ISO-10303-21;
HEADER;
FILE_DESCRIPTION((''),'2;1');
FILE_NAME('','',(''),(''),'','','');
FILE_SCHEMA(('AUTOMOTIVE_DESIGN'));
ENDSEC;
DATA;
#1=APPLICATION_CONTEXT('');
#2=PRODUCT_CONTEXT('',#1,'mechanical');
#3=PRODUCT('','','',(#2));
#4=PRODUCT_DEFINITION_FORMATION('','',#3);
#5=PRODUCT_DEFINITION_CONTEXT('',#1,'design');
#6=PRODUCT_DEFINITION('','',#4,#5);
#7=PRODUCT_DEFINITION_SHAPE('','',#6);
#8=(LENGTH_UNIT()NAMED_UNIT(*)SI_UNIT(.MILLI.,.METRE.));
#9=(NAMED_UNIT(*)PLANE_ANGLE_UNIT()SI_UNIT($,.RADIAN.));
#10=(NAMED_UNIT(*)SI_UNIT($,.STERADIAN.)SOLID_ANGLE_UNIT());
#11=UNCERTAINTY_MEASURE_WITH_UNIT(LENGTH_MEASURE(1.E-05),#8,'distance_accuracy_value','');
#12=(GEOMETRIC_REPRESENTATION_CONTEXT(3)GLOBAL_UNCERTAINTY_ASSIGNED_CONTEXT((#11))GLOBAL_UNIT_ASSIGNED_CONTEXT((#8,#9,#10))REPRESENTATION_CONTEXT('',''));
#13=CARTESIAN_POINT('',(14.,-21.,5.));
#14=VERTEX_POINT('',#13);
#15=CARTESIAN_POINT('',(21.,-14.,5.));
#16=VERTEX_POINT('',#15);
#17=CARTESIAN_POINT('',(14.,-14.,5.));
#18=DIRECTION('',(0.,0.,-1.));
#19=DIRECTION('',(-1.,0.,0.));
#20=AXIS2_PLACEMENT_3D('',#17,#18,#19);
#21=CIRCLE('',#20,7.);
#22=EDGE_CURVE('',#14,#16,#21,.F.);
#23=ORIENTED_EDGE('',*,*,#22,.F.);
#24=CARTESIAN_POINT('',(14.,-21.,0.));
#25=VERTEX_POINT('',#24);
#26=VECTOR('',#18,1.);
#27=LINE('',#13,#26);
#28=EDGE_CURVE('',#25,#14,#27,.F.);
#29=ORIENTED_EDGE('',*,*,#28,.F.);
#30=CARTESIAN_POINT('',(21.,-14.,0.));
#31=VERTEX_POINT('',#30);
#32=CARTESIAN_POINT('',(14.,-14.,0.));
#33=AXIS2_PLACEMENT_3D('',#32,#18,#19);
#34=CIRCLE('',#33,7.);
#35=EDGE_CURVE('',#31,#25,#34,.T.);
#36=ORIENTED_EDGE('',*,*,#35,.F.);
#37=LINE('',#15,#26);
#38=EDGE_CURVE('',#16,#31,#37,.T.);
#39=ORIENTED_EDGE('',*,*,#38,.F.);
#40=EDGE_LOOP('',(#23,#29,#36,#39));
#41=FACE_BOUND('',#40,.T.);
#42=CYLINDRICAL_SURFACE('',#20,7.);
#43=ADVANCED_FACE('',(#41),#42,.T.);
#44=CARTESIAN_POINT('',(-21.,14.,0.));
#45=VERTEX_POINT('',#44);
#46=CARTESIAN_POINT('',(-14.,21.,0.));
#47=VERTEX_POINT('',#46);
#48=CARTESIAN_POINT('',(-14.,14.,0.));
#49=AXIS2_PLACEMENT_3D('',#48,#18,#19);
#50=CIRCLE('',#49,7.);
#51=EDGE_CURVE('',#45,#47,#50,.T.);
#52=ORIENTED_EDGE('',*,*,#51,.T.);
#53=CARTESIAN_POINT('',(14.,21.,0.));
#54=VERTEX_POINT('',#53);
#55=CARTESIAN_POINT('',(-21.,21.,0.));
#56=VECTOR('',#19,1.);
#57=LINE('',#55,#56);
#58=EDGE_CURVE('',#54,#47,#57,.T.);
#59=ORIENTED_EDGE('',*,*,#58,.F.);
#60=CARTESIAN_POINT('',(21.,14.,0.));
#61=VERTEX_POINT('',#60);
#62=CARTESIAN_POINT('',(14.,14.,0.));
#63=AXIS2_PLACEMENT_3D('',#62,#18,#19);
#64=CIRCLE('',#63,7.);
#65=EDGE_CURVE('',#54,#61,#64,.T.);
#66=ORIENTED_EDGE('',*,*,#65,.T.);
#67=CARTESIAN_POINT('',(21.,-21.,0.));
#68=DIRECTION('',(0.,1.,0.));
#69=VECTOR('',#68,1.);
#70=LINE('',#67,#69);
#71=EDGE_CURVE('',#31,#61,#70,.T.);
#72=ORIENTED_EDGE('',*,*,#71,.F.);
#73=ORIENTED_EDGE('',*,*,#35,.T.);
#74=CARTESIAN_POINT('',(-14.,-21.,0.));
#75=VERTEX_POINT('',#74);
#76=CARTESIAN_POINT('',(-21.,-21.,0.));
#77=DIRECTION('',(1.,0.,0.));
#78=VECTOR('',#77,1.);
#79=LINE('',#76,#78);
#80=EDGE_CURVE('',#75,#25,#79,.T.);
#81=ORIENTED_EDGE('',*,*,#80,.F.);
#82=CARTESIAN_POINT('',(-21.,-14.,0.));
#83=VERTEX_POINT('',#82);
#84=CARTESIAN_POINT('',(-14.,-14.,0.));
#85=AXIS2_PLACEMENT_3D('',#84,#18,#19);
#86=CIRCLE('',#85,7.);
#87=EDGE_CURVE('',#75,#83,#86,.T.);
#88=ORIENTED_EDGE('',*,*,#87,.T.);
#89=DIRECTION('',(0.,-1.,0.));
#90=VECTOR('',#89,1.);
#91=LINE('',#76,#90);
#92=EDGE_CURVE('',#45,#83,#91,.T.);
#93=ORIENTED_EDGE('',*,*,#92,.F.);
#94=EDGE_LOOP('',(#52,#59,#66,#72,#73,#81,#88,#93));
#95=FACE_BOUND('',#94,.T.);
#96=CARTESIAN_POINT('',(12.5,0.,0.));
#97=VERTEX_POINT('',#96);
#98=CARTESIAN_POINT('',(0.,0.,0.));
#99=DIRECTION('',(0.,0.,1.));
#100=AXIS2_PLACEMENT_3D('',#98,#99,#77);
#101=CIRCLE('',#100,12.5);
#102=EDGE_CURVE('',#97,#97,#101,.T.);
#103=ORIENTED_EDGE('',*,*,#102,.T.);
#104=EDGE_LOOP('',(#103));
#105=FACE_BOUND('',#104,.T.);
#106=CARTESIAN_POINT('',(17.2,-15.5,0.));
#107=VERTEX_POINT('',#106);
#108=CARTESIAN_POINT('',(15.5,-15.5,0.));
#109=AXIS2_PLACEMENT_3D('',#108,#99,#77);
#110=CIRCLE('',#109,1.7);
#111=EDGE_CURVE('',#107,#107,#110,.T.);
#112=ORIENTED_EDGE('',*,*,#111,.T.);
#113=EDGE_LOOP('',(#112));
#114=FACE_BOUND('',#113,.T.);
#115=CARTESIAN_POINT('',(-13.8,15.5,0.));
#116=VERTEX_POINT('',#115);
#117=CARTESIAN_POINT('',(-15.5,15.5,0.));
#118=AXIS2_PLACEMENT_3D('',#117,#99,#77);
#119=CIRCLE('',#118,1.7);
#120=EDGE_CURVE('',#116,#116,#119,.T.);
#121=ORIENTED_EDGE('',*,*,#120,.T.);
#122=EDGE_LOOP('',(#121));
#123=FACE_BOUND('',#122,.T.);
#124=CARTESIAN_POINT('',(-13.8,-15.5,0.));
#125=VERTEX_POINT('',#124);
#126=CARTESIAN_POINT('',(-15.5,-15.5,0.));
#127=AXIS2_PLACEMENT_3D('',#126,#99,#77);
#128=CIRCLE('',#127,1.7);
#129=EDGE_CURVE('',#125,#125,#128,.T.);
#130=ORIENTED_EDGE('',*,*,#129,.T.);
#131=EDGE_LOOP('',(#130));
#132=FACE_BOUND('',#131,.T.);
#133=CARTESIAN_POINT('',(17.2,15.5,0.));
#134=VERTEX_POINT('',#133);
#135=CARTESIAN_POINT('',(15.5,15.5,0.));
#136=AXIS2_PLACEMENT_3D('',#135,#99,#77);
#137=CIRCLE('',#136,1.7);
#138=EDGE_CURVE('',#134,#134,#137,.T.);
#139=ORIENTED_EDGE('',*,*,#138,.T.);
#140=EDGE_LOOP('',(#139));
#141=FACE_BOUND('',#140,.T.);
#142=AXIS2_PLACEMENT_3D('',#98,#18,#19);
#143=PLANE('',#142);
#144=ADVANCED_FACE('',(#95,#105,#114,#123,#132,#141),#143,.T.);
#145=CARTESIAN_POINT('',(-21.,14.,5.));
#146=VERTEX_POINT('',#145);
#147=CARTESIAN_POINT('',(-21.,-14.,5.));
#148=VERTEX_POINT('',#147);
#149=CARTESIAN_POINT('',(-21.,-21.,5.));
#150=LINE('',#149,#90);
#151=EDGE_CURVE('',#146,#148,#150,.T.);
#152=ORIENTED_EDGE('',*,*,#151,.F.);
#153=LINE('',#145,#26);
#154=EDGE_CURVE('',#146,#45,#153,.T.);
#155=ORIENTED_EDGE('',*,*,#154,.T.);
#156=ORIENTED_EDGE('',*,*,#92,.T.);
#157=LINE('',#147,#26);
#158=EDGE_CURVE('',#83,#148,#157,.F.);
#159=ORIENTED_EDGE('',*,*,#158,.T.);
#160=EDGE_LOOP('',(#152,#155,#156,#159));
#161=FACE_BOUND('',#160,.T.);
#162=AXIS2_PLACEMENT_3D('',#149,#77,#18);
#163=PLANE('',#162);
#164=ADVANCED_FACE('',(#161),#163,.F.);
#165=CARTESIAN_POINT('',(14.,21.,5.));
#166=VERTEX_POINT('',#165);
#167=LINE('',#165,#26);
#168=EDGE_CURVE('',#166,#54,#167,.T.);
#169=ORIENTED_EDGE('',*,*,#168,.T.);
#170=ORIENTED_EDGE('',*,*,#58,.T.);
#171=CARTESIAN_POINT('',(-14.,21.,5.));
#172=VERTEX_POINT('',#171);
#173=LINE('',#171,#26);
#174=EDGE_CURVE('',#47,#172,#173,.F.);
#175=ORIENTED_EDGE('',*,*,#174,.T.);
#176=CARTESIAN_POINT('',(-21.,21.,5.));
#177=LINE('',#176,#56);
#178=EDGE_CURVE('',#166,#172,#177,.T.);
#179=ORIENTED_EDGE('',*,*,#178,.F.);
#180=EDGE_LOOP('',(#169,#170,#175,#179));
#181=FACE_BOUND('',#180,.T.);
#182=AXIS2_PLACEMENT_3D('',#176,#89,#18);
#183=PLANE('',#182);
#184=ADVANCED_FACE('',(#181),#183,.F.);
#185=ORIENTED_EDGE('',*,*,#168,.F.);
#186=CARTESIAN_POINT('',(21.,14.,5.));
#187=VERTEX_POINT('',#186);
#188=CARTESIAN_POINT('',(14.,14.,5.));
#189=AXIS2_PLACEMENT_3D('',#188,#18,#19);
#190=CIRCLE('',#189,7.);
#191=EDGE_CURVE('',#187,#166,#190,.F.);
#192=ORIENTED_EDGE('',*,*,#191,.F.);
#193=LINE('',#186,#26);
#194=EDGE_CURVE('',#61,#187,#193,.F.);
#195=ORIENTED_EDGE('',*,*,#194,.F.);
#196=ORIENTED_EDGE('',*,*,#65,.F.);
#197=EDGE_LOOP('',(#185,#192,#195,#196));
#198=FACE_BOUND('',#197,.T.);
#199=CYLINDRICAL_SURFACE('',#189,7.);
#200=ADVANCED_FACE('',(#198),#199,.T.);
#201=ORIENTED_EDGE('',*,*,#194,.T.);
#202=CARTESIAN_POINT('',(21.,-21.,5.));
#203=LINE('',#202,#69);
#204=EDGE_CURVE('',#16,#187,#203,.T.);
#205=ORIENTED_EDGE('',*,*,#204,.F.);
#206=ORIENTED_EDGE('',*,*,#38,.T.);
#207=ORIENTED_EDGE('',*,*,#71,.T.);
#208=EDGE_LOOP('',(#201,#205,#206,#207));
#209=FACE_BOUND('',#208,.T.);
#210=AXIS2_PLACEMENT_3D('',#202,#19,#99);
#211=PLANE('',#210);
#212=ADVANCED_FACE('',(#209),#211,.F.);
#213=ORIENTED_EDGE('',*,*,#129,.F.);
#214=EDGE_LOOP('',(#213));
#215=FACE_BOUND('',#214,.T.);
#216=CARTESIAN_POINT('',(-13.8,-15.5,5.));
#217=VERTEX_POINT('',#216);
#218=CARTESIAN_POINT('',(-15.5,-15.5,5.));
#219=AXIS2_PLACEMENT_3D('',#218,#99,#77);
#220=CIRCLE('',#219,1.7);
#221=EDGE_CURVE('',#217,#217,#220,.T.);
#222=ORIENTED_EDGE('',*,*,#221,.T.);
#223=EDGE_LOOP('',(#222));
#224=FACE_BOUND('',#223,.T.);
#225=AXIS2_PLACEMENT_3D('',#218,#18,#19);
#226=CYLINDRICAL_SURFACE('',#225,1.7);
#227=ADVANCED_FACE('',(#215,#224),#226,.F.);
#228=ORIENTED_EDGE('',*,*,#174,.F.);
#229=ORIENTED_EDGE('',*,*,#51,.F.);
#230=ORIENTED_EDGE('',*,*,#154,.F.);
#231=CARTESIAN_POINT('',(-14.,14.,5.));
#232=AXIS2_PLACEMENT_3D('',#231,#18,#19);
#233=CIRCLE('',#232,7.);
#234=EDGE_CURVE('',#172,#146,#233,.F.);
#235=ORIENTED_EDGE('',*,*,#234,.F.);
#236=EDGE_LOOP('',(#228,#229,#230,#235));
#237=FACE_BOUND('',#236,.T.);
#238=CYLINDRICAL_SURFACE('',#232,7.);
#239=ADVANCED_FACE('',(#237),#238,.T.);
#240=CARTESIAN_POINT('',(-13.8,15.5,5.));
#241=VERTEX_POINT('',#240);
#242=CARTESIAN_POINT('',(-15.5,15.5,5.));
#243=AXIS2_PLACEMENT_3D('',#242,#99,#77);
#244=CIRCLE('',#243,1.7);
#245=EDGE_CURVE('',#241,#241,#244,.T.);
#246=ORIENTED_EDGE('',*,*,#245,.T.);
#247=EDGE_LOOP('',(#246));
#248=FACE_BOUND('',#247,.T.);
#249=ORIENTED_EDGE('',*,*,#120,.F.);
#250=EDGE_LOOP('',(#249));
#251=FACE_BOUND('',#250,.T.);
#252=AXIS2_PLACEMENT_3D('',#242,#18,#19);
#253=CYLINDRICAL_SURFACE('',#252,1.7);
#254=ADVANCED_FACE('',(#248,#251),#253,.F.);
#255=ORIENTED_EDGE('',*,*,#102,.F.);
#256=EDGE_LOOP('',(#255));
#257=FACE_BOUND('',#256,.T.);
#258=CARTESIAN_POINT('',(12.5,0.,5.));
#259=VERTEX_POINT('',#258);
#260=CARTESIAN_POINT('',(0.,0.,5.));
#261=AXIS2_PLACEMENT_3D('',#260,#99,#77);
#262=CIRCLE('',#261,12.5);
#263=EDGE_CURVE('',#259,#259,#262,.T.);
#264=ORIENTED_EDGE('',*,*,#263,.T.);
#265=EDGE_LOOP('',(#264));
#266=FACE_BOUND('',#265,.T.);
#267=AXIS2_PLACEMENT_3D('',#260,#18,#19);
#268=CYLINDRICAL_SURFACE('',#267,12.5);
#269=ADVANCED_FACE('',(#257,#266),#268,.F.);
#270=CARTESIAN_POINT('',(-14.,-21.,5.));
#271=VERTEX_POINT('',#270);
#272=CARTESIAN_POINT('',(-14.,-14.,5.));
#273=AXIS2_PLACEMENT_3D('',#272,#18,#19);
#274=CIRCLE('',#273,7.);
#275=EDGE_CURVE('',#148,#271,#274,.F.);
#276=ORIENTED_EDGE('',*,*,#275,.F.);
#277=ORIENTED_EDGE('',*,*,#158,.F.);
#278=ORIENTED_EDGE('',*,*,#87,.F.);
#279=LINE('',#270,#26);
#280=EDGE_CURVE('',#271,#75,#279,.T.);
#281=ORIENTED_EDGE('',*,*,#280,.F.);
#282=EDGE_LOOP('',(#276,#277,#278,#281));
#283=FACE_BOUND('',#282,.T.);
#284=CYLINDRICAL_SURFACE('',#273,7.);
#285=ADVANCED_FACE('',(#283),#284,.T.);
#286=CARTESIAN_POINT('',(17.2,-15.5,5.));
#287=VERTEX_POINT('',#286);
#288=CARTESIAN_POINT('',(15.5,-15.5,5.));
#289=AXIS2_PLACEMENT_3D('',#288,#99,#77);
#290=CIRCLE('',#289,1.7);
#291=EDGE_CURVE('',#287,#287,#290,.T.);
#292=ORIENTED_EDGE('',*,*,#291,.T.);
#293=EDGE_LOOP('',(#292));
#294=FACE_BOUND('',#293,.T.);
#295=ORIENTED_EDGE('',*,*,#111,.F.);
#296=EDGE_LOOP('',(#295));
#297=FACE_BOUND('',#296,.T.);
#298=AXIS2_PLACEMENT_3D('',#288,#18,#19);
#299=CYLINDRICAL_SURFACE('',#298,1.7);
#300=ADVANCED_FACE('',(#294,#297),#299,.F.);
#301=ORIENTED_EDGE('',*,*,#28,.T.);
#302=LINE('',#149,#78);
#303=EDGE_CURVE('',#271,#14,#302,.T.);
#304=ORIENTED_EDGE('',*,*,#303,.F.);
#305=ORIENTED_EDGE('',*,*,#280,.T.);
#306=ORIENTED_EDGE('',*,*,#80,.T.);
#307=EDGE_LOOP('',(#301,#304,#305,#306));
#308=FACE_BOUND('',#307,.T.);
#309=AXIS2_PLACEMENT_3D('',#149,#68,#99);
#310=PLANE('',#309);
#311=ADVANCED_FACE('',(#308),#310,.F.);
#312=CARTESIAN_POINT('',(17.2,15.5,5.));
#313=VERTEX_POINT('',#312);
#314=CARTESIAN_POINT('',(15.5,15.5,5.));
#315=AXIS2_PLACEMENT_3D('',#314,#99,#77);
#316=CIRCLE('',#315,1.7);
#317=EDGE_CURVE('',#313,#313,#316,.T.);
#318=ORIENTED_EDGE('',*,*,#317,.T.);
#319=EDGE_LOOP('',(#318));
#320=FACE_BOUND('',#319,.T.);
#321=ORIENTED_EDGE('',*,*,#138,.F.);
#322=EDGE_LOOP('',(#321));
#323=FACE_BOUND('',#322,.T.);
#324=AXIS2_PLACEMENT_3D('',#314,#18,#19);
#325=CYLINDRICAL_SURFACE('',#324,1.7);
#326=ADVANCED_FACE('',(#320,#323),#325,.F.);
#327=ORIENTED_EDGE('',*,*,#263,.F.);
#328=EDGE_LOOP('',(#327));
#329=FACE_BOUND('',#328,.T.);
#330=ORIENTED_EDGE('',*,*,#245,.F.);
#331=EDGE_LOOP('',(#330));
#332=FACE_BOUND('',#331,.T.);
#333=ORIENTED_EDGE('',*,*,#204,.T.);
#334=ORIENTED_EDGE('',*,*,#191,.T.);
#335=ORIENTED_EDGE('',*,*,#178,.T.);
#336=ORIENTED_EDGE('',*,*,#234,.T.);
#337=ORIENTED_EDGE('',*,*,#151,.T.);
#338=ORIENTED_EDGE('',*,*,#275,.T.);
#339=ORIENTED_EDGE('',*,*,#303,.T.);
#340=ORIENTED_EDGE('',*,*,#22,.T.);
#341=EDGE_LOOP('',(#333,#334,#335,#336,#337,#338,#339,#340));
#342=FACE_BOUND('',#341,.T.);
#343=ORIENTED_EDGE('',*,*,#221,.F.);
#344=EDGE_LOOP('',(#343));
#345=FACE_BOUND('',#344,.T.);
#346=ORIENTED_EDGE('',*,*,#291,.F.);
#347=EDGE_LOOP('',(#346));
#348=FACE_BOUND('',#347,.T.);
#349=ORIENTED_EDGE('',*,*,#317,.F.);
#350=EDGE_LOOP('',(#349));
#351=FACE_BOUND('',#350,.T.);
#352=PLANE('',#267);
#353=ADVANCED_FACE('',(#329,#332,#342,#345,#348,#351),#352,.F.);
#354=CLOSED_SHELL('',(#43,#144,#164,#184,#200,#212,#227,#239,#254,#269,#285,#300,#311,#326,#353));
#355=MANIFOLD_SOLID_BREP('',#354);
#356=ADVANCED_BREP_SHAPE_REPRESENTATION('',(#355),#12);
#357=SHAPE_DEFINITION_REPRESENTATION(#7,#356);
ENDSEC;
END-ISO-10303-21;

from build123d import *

# Parameters (mm, degrees)
SKETCH_1_W      = 42
SKETCH_1_H      = 42
SKETCH_1_R      = 12.5
SKETCH_1_R_2    = 1.7
EXTRUDE_1_DEPTH = 5
FILLET_1_R      = 7


with BuildPart() as part:
    # 草图1 → 凸台-拉伸1 (new body)
    with BuildSketch(Plane.XY):
        Rectangle(SKETCH_1_W, SKETCH_1_H)
        Circle(SKETCH_1_R, mode=Mode.SUBTRACT)
        with Locations((-15.5, -15.5)):
            Circle(SKETCH_1_R_2, mode=Mode.SUBTRACT)
        with Locations((15.5, -15.5)):
            Circle(SKETCH_1_R_2, mode=Mode.SUBTRACT)
        with Locations((15.5, 15.5)):
            Circle(SKETCH_1_R_2, mode=Mode.SUBTRACT)
        with Locations((-15.5, 15.5)):
            Circle(SKETCH_1_R_2, mode=Mode.SUBTRACT)
    extrude(amount=EXTRUDE_1_DEPTH)

    # 圆角1
    fillet_1_edges = [part.edges().sort_by_distance(p)[0] for p in [
        (21, -21, 2.5),
        (-21, -21, 2.5),
        (-21, 21, 2.5),
        (21, 21, 2.5),
    ]]
    fillet(fillet_1_edges, radius=FILLET_1_R)


solid = part.part
